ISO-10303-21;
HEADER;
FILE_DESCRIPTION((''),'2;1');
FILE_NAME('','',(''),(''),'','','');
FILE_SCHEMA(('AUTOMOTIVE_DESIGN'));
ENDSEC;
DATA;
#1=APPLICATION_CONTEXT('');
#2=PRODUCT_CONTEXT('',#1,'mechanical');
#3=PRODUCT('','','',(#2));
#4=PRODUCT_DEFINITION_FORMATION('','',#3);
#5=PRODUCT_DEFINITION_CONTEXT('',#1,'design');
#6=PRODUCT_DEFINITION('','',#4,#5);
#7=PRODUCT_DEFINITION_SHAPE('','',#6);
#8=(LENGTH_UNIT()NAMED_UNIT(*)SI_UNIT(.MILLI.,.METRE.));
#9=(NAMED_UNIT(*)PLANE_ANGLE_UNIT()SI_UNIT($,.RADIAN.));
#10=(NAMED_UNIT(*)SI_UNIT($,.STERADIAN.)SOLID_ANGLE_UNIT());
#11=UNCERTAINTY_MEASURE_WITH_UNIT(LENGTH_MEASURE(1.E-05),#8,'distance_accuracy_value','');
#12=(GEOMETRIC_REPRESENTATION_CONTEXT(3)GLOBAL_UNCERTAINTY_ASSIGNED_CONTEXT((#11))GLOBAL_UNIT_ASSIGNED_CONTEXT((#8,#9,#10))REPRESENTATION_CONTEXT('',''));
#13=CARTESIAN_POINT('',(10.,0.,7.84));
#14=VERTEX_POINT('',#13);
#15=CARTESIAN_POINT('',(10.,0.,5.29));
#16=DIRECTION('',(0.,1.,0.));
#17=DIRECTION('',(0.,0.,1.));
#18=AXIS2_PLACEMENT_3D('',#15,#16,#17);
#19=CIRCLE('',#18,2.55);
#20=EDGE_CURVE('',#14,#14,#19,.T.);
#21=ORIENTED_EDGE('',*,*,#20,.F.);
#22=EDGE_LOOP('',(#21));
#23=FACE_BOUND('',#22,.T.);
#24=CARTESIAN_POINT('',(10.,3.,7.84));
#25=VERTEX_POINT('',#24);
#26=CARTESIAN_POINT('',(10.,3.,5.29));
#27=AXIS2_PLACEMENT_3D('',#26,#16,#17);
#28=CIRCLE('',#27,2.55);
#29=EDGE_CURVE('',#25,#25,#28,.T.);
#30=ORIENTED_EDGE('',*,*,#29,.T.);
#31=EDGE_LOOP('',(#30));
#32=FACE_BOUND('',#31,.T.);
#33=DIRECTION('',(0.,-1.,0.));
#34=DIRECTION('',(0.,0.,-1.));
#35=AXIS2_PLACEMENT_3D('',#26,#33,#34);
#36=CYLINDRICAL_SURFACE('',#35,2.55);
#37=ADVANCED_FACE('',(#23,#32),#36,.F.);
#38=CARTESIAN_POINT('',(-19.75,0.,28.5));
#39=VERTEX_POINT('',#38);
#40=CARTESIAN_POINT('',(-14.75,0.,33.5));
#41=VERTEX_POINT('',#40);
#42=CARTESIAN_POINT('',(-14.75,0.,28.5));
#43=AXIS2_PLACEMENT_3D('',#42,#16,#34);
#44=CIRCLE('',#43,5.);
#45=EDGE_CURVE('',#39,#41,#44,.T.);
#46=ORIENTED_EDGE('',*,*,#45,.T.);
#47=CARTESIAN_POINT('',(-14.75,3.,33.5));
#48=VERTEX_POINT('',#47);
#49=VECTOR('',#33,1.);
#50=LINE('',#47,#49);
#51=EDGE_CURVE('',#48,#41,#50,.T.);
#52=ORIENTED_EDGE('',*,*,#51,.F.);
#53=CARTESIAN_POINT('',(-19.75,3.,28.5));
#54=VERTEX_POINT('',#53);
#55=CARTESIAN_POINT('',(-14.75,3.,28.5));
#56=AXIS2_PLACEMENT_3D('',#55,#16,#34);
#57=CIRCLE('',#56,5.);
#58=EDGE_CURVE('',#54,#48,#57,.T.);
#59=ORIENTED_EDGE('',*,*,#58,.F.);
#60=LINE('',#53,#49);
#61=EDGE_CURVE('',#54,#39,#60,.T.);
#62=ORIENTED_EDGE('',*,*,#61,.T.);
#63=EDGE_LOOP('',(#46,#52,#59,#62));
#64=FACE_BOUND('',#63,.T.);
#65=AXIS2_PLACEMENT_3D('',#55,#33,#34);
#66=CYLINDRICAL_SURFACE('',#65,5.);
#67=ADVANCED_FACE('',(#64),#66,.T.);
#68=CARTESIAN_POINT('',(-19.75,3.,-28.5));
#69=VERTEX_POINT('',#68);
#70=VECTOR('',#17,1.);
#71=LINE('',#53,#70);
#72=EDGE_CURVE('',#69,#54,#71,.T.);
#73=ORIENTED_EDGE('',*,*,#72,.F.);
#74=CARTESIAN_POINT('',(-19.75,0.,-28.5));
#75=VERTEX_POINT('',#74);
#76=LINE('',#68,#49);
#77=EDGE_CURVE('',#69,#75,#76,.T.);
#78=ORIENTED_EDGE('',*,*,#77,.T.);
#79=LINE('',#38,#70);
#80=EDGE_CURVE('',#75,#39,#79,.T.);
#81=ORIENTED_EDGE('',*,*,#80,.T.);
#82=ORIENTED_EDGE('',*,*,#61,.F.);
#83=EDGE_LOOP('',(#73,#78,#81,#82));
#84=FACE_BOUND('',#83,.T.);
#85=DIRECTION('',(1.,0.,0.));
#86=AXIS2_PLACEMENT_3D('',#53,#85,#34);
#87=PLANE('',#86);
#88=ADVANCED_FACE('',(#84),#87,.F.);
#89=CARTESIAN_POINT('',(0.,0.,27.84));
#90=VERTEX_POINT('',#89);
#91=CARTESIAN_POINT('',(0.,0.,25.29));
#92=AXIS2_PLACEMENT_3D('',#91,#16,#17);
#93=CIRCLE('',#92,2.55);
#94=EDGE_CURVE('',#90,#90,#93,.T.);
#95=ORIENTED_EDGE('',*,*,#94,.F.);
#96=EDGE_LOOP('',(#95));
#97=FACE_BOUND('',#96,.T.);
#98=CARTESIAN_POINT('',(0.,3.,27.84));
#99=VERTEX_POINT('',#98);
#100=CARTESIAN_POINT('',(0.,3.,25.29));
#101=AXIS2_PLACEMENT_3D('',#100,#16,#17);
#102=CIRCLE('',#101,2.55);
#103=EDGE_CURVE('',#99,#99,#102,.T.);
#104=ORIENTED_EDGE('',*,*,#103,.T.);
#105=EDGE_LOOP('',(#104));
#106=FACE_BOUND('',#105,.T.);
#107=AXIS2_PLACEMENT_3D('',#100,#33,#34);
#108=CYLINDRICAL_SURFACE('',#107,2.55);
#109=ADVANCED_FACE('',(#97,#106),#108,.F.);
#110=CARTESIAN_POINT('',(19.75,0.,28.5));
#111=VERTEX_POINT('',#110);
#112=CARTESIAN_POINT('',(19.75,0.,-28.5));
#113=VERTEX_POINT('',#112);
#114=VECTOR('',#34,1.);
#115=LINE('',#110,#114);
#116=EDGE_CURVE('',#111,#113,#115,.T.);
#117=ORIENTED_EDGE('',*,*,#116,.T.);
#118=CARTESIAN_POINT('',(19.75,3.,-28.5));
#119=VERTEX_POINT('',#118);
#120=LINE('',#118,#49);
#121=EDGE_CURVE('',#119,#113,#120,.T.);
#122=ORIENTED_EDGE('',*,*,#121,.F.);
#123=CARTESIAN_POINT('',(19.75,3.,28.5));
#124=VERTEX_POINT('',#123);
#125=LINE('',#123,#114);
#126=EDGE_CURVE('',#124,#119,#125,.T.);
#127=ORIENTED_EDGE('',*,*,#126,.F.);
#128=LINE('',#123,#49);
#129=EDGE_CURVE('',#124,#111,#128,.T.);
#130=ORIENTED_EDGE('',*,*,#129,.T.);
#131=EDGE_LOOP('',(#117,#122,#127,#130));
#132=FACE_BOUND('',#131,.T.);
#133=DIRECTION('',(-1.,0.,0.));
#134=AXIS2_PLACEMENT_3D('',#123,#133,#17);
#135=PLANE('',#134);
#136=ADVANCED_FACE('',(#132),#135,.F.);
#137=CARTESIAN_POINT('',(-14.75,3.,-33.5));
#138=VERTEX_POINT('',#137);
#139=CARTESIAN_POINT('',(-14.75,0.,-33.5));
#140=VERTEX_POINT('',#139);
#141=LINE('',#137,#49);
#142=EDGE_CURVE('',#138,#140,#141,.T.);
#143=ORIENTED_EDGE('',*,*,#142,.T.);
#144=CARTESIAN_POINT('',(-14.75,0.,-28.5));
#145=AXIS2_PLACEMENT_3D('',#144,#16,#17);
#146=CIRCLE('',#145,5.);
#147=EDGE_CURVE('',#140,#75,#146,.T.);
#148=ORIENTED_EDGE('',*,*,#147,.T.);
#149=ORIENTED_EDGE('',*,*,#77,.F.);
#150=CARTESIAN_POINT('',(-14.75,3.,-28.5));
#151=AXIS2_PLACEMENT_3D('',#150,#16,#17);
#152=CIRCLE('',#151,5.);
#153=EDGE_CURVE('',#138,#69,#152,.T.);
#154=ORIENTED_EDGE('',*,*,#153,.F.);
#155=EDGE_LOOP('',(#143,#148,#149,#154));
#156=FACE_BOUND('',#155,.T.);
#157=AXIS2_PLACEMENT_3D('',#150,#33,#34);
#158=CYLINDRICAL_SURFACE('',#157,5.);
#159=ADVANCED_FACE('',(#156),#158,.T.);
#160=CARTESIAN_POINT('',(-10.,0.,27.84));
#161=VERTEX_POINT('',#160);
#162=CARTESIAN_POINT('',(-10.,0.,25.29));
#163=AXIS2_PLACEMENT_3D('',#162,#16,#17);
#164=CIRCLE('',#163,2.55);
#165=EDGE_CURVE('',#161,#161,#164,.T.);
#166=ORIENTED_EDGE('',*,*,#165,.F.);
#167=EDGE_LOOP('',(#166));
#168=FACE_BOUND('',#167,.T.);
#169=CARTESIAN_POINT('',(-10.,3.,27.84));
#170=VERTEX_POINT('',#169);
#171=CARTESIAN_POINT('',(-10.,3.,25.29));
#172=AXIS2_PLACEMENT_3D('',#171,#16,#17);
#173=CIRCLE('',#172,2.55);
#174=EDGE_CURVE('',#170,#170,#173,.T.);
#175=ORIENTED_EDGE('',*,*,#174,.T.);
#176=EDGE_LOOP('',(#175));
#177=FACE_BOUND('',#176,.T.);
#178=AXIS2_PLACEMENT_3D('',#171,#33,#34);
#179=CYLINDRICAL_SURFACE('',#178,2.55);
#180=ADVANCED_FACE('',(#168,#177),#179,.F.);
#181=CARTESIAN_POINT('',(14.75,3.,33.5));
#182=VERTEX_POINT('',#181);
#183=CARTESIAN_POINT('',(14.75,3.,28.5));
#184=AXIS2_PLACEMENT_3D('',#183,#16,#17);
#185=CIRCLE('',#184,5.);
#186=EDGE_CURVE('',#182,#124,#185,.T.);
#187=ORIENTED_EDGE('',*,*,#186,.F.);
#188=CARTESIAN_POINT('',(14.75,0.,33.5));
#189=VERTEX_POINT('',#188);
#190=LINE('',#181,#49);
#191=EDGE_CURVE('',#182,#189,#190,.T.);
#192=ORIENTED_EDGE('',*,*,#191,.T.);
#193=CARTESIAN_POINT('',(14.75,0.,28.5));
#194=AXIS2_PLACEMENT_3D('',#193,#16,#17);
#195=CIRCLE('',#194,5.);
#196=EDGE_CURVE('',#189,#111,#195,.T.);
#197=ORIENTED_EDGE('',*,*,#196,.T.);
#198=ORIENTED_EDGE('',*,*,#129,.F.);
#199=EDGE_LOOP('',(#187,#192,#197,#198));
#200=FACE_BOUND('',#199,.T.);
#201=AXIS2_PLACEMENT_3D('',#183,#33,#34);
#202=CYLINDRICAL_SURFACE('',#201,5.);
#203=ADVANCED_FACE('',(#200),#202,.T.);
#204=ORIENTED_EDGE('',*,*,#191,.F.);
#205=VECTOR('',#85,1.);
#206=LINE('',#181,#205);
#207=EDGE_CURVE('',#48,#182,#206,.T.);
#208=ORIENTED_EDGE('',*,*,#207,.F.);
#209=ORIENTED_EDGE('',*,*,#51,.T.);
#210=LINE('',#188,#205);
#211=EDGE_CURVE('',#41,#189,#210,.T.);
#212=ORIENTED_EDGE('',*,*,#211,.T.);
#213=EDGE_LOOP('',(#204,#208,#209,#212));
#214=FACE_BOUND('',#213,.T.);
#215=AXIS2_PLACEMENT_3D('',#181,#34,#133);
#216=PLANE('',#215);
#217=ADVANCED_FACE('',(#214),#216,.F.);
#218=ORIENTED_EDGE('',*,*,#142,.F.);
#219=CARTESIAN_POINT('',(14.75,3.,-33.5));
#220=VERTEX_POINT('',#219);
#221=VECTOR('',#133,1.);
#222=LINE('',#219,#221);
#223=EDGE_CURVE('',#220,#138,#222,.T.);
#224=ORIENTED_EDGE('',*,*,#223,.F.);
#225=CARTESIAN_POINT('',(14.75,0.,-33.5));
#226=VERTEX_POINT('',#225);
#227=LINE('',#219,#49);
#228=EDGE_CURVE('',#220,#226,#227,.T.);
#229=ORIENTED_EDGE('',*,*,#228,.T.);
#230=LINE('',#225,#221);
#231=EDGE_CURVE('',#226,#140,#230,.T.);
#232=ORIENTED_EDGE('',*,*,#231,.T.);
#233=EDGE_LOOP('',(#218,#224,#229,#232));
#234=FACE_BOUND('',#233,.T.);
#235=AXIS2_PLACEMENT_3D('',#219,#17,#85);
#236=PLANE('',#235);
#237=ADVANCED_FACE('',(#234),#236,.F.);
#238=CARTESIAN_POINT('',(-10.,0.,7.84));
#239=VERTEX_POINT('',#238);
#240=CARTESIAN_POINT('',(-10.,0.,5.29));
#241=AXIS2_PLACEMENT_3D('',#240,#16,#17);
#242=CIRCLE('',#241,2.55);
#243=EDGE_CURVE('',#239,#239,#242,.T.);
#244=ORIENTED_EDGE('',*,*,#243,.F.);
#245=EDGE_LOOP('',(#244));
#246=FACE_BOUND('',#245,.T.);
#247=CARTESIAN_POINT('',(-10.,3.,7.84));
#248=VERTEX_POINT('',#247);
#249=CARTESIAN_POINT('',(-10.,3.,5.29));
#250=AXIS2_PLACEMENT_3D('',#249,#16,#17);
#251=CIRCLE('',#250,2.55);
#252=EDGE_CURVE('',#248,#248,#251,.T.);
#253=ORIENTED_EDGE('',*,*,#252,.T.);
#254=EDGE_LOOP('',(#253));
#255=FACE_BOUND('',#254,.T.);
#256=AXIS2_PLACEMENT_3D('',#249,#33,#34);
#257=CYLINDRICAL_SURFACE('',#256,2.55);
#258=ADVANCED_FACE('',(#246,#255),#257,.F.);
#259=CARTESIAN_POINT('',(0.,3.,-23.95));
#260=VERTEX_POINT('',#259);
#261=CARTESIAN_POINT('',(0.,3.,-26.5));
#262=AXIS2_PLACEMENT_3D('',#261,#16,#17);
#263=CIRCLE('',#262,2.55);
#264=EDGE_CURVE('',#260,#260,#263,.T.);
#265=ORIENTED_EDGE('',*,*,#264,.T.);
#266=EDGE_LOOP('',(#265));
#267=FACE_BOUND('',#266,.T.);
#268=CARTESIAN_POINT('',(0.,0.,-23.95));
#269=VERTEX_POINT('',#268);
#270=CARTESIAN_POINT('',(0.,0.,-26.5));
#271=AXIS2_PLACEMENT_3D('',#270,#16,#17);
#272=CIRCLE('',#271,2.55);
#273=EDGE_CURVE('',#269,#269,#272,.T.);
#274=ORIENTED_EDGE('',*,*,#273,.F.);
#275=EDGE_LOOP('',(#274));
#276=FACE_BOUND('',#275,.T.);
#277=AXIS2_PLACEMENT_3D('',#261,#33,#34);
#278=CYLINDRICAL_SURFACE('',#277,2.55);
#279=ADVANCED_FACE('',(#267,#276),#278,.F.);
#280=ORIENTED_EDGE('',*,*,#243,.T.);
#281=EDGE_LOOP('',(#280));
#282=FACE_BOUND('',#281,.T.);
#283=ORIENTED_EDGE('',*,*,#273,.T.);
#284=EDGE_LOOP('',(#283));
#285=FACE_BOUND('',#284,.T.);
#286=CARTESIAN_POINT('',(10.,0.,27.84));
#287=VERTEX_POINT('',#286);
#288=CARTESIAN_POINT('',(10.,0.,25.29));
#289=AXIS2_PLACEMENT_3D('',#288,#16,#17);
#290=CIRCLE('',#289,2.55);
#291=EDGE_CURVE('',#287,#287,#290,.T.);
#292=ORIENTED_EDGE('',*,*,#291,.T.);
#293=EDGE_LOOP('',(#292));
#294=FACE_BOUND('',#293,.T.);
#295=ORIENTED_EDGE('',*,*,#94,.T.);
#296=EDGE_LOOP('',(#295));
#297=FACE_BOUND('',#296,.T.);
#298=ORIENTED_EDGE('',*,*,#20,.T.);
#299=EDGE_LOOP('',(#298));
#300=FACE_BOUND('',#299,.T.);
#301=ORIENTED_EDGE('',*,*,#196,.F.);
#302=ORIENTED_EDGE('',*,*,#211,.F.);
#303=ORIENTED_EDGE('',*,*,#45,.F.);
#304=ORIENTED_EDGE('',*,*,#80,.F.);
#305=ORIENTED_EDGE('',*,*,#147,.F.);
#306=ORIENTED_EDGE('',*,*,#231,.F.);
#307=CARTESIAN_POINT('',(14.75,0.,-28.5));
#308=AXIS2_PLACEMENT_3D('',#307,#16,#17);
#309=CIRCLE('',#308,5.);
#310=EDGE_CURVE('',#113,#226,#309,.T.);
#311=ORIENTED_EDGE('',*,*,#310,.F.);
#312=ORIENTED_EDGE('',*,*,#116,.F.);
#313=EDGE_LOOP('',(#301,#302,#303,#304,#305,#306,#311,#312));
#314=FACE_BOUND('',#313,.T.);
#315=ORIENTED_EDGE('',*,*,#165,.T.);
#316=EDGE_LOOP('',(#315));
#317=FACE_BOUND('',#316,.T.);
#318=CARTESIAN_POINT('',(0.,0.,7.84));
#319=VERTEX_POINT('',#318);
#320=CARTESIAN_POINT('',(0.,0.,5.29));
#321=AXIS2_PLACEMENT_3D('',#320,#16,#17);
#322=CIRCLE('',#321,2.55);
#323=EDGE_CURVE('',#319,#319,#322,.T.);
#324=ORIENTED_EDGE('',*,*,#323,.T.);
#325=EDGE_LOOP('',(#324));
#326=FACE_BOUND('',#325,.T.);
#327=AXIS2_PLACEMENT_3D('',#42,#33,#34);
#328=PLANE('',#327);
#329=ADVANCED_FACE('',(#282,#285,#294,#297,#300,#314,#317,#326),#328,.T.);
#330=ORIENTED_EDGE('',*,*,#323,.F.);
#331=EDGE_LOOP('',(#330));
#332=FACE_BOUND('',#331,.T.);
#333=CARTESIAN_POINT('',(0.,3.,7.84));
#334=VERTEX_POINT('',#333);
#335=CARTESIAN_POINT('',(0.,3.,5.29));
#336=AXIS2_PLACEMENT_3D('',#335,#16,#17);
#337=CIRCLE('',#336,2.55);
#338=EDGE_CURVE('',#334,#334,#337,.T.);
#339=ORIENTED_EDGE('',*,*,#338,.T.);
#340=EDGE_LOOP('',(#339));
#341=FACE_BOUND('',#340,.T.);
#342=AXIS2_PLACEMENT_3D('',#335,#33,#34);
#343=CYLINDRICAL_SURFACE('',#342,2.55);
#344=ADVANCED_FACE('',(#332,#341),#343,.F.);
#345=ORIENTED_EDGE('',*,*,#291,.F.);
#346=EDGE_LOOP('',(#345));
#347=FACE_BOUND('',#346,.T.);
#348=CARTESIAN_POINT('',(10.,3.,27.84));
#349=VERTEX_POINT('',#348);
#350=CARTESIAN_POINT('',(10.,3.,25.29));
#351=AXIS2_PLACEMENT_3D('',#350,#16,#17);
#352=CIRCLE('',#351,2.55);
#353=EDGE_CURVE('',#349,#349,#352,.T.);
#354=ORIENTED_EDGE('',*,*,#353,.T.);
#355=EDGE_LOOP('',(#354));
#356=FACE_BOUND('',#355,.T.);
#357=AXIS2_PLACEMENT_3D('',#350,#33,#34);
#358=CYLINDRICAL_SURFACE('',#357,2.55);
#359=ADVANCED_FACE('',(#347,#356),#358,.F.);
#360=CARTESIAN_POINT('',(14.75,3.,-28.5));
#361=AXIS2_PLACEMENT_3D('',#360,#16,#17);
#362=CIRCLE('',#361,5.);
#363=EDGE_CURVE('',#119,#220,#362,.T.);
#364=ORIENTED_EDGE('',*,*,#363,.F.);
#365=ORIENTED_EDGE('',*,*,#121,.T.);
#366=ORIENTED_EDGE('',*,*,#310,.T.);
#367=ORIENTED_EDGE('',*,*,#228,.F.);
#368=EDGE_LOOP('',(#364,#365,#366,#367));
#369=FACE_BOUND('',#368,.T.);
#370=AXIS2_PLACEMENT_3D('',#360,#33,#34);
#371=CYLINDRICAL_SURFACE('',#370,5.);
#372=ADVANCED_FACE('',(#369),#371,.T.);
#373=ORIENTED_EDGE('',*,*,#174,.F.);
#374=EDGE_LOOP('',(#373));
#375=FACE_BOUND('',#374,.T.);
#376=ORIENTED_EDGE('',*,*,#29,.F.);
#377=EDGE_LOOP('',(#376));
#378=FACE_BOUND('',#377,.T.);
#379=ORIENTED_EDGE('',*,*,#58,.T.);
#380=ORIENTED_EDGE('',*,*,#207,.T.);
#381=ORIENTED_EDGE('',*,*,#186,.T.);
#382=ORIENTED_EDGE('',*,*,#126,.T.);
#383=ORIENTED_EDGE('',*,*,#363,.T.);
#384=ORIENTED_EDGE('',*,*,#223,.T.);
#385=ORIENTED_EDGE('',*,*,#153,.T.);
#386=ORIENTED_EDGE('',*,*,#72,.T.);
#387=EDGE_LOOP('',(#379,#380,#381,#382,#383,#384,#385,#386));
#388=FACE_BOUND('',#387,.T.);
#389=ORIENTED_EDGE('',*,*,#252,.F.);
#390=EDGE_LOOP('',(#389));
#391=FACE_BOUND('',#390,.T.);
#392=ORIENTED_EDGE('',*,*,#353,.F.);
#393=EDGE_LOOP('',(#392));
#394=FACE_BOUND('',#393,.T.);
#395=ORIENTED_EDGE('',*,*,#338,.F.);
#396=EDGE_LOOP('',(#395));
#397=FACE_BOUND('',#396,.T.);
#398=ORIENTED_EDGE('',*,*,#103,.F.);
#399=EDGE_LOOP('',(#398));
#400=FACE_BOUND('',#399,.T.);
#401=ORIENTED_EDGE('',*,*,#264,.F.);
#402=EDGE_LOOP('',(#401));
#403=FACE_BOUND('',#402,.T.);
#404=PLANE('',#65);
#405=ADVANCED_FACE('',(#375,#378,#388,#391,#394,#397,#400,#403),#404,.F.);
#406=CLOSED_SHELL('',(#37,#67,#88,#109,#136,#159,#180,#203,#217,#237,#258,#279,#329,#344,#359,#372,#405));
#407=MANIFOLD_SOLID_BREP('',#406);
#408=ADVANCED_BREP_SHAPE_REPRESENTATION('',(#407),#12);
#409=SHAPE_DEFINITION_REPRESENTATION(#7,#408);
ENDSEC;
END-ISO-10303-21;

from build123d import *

# Parameters (mm, degrees)
SKETCH1_R           = 2.55
BOSS_EXTRUDE1_DEPTH = 3


with BuildPart() as part:
    # Sketch1 → Boss-Extrude1 (new body)
    with BuildSketch(Plane(origin=(0, 0, 0), x_dir=(1, 0, 0), z_dir=(0, 1, 0))):
        with BuildLine():
            Line((14.75, -33.5), (-14.75, -33.5))
            ThreePointArc((-14.75, -33.5), (-18.285533906, -32.035533906), (-19.75, -28.5))
            Line((-19.75, -28.5), (-19.75, 28.5))
            ThreePointArc((-19.75, 28.5), (-18.285533906, 32.035533906), (-14.75, 33.5))
            Line((-14.75, 33.5), (14.75, 33.5))
            ThreePointArc((14.75, 33.5), (18.285533906, 32.035533906), (19.75, 28.5))
            Line((19.75, 28.5), (19.75, -28.5))
            ThreePointArc((19.75, -28.5), (18.285533906, -32.035533906), (14.75, -33.5))
        make_face()
        with Locations((0, 26.5)):
            Circle(SKETCH1_R, mode=Mode.SUBTRACT)
        with Locations((10, -25.29)):
            Circle(SKETCH1_R, mode=Mode.SUBTRACT)
        with Locations((10, -5.29)):
            Circle(SKETCH1_R, mode=Mode.SUBTRACT)
        with Locations((0, -25.29)):
            Circle(SKETCH1_R, mode=Mode.SUBTRACT)
        with Locations((0, -5.29)):
            Circle(SKETCH1_R, mode=Mode.SUBTRACT)
        with Locations((-10, -25.29)):
            Circle(SKETCH1_R, mode=Mode.SUBTRACT)
        with Locations((-10, -5.29)):
            Circle(SKETCH1_R, mode=Mode.SUBTRACT)
    extrude(amount=BOSS_EXTRUDE1_DEPTH)


solid = part.part
